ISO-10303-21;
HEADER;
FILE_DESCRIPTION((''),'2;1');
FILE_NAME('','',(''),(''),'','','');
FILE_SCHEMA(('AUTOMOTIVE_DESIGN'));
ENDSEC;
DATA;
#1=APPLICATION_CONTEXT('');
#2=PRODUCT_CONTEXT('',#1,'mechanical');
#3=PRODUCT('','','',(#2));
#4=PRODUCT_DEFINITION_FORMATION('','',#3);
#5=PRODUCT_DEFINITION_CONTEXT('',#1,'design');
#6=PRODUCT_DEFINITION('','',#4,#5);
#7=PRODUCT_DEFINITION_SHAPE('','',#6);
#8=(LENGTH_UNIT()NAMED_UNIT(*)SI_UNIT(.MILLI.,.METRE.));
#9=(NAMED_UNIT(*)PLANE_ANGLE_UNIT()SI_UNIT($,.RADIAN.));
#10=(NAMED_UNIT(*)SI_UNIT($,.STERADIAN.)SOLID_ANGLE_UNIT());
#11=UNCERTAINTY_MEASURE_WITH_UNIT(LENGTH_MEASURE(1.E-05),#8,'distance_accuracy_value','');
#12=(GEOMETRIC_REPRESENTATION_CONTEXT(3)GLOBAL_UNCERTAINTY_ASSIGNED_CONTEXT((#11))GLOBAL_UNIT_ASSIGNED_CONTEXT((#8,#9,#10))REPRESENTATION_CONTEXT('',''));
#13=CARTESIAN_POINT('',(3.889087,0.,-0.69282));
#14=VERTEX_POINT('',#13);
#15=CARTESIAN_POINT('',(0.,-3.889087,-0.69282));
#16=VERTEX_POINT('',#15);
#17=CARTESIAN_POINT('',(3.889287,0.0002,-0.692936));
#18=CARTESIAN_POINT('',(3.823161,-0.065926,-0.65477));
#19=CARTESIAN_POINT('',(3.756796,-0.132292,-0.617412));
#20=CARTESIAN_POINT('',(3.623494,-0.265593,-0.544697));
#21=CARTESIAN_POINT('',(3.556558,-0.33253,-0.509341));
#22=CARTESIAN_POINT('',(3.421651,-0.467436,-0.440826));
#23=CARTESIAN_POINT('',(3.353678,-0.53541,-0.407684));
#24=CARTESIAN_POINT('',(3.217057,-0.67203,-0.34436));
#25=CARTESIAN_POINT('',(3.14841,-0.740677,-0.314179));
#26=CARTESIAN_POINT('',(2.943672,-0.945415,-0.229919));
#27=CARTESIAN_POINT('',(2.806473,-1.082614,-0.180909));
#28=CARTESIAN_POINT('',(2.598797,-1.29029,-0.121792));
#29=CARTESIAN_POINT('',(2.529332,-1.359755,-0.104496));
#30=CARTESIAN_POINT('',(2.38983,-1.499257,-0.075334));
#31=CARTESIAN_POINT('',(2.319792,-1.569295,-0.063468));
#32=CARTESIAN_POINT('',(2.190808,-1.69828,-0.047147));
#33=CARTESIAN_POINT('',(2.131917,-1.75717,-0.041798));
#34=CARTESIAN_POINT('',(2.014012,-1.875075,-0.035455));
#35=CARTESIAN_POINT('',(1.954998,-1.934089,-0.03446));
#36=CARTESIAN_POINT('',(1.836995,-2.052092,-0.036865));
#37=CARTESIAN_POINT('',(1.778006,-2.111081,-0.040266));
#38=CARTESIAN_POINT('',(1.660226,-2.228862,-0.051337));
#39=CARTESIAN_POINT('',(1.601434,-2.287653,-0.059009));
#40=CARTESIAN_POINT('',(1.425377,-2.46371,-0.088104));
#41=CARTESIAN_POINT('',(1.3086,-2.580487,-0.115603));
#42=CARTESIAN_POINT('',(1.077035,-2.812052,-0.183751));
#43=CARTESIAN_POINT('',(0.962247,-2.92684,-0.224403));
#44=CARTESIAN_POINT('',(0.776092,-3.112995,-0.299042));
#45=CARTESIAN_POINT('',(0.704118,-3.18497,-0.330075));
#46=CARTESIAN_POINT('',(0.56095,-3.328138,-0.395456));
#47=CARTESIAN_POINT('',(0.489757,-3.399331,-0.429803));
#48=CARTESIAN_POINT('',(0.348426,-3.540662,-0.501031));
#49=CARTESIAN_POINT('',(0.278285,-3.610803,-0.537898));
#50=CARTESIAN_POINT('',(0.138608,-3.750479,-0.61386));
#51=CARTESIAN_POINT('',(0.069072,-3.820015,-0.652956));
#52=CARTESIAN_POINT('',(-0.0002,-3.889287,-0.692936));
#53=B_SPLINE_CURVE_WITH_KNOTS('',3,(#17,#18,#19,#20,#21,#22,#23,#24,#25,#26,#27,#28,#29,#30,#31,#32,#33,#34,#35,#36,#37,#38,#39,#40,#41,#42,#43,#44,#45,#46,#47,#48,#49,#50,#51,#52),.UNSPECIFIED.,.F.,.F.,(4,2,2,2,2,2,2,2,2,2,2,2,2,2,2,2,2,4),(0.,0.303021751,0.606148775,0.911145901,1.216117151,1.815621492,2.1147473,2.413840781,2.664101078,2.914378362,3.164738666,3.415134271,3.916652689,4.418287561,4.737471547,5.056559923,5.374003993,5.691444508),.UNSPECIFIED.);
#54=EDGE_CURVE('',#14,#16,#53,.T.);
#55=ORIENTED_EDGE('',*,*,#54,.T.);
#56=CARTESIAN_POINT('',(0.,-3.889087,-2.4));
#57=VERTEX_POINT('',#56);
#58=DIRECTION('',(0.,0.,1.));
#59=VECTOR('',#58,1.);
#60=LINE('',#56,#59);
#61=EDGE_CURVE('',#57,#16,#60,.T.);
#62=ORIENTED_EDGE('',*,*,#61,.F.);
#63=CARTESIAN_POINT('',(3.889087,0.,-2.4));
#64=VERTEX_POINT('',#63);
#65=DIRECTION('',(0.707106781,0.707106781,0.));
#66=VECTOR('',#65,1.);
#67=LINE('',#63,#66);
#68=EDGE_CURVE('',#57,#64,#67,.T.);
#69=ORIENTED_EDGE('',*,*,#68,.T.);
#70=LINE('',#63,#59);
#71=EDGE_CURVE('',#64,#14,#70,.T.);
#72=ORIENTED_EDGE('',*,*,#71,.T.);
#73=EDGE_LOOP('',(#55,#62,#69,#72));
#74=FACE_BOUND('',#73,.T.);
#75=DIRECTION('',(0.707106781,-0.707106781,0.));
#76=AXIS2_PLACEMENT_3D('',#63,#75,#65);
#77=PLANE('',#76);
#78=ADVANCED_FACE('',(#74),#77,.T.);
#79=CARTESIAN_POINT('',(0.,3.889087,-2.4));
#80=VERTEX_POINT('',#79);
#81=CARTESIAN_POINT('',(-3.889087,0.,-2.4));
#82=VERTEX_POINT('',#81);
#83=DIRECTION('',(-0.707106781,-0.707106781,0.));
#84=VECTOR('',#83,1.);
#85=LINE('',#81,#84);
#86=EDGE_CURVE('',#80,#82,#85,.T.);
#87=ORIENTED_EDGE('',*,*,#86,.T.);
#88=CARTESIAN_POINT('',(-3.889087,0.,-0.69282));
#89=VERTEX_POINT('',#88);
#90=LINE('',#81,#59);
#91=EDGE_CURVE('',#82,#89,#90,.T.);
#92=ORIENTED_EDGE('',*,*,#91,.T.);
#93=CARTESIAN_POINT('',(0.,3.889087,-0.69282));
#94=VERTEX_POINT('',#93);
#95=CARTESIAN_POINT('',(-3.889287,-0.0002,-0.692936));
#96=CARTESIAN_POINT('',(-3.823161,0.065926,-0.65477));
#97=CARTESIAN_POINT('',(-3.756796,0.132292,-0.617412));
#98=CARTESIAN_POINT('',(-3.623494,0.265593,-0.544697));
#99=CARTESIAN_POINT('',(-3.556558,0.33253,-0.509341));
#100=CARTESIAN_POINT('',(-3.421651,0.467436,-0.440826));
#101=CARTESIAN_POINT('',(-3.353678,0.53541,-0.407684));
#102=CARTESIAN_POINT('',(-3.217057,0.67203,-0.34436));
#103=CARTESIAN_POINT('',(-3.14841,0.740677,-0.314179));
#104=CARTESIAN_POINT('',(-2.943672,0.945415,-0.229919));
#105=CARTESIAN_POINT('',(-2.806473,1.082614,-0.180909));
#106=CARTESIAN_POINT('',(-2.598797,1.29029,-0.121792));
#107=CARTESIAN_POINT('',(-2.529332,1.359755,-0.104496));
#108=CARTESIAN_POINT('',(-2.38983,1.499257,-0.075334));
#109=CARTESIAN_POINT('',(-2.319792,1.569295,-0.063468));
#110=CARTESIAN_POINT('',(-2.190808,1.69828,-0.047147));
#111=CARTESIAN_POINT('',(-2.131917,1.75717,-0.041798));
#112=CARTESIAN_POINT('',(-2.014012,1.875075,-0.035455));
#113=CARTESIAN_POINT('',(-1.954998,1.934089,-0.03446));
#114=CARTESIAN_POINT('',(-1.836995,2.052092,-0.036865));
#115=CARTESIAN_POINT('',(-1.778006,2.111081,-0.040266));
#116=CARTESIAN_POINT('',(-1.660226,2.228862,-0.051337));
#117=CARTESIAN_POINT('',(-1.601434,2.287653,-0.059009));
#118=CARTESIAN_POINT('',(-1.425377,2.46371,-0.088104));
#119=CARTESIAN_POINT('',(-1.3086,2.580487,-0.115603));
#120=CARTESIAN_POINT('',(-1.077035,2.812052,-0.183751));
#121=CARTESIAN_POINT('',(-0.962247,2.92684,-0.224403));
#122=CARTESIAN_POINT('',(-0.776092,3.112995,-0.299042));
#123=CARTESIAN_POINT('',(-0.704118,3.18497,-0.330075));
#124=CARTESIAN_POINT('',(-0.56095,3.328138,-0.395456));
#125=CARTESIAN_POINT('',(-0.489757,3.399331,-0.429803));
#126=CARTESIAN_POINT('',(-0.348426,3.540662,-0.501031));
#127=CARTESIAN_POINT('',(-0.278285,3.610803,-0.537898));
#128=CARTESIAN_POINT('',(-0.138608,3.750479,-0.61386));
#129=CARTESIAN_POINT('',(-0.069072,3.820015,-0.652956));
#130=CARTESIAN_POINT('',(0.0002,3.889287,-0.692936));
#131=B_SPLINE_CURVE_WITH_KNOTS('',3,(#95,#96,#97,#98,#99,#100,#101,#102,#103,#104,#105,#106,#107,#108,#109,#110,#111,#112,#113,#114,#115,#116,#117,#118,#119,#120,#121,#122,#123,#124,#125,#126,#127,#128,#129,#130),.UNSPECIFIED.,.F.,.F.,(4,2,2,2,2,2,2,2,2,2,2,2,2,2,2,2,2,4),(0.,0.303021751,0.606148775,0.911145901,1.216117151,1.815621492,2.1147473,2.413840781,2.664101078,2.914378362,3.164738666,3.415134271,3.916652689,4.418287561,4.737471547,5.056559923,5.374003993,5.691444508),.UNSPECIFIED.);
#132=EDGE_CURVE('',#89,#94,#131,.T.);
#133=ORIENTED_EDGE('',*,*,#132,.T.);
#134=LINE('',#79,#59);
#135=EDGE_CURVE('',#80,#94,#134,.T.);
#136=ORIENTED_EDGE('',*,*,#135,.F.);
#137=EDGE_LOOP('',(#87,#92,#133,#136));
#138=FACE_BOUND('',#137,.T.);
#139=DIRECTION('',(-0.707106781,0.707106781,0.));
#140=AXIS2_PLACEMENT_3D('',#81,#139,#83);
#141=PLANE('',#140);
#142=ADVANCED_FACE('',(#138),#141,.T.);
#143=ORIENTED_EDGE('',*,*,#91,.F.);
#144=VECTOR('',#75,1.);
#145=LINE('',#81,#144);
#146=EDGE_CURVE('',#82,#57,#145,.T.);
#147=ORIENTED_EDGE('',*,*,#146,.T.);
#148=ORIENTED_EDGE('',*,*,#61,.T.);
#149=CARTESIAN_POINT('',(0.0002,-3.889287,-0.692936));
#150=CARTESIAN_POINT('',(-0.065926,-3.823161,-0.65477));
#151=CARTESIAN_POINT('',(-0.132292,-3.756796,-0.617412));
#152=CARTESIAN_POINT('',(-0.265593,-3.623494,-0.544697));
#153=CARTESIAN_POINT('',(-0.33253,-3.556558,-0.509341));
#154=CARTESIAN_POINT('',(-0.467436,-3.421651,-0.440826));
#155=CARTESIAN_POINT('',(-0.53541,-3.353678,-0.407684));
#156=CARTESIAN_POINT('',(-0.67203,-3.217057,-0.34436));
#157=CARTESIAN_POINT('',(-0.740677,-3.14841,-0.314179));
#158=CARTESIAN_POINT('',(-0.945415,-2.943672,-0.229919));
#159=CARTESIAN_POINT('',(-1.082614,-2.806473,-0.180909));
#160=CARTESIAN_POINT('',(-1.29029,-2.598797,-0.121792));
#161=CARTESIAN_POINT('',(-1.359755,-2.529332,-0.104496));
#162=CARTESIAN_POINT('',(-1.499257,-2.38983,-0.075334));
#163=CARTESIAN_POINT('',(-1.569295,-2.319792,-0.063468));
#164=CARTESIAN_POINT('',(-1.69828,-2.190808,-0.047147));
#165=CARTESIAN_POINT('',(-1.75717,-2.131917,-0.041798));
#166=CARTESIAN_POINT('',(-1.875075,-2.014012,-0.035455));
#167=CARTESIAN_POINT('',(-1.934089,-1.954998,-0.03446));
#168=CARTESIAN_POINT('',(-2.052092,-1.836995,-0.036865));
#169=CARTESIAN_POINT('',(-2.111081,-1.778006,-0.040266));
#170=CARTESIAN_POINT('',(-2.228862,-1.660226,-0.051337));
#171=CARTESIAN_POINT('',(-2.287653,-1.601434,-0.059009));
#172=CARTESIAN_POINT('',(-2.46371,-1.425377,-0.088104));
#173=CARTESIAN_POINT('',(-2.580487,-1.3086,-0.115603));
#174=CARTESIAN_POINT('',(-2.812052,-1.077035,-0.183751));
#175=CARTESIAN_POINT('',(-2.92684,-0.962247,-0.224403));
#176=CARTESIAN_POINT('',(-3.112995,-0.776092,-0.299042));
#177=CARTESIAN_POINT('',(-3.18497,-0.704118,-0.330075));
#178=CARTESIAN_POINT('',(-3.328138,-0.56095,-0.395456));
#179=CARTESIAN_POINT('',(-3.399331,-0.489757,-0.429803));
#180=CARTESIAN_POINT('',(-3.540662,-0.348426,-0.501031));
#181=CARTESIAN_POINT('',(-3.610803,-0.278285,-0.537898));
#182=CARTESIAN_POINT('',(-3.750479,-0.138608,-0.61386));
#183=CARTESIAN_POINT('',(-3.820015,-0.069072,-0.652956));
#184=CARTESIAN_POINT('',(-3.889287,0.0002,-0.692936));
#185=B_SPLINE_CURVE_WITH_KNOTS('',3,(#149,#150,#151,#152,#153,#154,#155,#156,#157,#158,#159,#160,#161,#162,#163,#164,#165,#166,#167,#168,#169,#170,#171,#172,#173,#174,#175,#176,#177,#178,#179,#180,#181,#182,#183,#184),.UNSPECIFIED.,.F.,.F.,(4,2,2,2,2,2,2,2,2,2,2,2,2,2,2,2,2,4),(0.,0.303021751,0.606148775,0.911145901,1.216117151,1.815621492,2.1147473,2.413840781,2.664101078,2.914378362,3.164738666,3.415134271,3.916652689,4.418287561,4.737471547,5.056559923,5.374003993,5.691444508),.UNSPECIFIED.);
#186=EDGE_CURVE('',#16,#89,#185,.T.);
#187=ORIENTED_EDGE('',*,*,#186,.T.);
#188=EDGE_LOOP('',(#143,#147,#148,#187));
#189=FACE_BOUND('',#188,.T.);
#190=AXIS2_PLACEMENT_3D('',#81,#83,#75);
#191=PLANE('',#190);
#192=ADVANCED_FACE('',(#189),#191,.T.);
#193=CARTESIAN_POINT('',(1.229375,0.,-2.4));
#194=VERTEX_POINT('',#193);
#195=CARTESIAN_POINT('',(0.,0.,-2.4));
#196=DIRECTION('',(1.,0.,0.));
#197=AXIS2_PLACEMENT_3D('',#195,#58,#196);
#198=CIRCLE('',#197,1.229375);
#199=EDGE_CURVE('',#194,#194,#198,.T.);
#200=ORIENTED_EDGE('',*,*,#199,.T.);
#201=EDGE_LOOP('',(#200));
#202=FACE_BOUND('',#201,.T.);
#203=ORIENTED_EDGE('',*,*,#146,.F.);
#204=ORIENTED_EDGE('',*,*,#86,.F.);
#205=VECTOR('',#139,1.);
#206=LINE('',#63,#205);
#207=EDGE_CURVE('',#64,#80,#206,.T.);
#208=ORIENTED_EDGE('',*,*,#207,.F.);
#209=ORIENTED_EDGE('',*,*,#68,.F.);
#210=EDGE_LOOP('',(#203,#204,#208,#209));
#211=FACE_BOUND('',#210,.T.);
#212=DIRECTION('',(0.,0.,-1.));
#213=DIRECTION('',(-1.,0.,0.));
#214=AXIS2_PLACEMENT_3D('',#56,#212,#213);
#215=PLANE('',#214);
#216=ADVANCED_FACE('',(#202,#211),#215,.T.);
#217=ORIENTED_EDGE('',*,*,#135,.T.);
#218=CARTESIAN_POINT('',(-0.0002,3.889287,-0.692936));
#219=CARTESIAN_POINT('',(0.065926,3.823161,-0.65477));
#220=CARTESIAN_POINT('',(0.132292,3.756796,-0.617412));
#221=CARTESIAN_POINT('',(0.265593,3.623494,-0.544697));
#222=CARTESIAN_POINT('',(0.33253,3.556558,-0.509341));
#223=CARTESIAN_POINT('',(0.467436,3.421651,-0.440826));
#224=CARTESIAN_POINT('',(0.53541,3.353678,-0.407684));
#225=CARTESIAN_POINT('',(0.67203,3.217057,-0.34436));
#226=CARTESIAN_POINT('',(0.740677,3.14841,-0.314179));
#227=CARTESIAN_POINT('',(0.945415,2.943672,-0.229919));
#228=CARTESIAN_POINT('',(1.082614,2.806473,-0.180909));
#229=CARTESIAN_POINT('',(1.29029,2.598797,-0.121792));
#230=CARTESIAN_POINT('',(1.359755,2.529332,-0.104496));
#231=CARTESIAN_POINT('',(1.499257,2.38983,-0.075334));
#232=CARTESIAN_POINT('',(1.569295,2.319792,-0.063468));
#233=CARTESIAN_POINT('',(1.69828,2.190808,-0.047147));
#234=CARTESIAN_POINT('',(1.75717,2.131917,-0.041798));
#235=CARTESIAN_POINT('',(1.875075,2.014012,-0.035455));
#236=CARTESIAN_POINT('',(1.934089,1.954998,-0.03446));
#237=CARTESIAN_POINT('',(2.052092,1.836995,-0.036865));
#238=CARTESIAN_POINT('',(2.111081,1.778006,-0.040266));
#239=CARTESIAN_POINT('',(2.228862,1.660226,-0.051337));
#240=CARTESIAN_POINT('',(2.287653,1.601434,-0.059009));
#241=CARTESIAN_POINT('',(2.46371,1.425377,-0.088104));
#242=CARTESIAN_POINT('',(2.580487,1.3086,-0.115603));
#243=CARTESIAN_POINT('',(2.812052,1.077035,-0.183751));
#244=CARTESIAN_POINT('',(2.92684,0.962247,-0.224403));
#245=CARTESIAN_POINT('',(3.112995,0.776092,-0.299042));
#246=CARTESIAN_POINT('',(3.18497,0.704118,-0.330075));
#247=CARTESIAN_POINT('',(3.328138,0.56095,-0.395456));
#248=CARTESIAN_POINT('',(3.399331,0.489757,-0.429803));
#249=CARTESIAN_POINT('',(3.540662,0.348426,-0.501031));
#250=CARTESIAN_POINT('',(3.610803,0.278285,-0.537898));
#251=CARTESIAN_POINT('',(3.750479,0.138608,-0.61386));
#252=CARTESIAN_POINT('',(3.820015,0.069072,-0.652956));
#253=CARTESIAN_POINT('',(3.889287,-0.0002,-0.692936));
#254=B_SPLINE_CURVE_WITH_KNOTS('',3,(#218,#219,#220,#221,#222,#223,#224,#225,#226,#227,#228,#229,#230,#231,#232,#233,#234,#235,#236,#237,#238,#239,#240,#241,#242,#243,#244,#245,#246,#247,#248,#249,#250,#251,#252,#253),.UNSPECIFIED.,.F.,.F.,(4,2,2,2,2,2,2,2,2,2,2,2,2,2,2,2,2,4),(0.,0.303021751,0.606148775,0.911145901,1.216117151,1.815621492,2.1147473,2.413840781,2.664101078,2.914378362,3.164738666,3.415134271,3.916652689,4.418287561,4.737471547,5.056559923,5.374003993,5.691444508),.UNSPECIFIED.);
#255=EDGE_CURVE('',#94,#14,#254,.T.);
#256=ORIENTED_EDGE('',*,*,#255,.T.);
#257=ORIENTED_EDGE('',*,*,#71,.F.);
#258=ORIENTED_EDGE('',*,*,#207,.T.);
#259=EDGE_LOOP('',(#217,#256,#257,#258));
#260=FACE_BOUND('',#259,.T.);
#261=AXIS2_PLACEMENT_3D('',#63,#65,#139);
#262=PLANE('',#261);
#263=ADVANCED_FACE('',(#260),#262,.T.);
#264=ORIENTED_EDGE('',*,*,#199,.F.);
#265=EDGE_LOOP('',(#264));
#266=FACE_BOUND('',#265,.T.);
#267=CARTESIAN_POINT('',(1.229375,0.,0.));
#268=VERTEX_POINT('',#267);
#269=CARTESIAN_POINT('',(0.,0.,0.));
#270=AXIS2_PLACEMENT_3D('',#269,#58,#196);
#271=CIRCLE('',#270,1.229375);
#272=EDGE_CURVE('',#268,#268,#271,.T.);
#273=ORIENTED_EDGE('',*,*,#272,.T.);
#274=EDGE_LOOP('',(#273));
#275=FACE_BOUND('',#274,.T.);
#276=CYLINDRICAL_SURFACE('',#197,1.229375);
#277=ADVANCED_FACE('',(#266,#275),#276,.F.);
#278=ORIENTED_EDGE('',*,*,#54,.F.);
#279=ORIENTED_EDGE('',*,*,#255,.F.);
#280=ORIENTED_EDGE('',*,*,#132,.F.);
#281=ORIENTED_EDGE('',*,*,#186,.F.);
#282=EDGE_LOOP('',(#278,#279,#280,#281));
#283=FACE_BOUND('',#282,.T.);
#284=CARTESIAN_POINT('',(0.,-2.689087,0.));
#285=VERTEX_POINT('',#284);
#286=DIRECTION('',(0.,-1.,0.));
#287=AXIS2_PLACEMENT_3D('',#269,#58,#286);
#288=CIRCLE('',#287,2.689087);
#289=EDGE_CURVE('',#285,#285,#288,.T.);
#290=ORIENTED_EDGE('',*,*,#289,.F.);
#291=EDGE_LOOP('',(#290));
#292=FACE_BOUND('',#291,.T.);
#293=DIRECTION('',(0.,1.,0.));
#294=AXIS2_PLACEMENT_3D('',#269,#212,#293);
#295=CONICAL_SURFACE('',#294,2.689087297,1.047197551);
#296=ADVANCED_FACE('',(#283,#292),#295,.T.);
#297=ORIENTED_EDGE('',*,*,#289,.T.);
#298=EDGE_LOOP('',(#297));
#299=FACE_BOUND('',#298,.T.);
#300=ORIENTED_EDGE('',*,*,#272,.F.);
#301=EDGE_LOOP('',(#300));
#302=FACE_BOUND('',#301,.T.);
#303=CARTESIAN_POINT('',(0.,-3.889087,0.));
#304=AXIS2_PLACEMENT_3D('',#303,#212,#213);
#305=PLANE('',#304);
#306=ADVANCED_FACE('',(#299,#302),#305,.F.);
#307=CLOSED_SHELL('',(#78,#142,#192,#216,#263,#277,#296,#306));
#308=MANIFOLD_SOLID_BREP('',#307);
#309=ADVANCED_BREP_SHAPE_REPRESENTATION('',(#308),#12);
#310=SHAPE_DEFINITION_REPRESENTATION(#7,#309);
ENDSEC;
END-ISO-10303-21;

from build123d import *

# Parameters (mm, degrees)
SKETCH_7_R      = 1.229375
EXTRUDE_1_DEPTH = 2.4


with BuildPart() as part:
    # 草图7 → 凸台-拉伸1 (new body)
    with BuildSketch(Plane.XY):
        Polygon((-3.889087297, 0), (0, 3.889087297), (3.889087297, 0), (0, -3.889087297), align=None)
        Circle(SKETCH_7_R, mode=Mode.SUBTRACT)
    extrude(amount=-EXTRUDE_1_DEPTH)

    # 草图8 → 切除-旋转1 (revolve, cut)
    with BuildSketch(Plane(origin=(0, 0, 0), x_dir=(0, 0, -1), z_dir=(1, 0, 0))):
        Polygon((0.692820323, 3.889087297), (0, 2.689087297), (0, 3.889087297), align=None)
    revolve(axis=Axis((0, 0, 0), (0, 0, -1)), mode=Mode.SUBTRACT)


solid = part.part
